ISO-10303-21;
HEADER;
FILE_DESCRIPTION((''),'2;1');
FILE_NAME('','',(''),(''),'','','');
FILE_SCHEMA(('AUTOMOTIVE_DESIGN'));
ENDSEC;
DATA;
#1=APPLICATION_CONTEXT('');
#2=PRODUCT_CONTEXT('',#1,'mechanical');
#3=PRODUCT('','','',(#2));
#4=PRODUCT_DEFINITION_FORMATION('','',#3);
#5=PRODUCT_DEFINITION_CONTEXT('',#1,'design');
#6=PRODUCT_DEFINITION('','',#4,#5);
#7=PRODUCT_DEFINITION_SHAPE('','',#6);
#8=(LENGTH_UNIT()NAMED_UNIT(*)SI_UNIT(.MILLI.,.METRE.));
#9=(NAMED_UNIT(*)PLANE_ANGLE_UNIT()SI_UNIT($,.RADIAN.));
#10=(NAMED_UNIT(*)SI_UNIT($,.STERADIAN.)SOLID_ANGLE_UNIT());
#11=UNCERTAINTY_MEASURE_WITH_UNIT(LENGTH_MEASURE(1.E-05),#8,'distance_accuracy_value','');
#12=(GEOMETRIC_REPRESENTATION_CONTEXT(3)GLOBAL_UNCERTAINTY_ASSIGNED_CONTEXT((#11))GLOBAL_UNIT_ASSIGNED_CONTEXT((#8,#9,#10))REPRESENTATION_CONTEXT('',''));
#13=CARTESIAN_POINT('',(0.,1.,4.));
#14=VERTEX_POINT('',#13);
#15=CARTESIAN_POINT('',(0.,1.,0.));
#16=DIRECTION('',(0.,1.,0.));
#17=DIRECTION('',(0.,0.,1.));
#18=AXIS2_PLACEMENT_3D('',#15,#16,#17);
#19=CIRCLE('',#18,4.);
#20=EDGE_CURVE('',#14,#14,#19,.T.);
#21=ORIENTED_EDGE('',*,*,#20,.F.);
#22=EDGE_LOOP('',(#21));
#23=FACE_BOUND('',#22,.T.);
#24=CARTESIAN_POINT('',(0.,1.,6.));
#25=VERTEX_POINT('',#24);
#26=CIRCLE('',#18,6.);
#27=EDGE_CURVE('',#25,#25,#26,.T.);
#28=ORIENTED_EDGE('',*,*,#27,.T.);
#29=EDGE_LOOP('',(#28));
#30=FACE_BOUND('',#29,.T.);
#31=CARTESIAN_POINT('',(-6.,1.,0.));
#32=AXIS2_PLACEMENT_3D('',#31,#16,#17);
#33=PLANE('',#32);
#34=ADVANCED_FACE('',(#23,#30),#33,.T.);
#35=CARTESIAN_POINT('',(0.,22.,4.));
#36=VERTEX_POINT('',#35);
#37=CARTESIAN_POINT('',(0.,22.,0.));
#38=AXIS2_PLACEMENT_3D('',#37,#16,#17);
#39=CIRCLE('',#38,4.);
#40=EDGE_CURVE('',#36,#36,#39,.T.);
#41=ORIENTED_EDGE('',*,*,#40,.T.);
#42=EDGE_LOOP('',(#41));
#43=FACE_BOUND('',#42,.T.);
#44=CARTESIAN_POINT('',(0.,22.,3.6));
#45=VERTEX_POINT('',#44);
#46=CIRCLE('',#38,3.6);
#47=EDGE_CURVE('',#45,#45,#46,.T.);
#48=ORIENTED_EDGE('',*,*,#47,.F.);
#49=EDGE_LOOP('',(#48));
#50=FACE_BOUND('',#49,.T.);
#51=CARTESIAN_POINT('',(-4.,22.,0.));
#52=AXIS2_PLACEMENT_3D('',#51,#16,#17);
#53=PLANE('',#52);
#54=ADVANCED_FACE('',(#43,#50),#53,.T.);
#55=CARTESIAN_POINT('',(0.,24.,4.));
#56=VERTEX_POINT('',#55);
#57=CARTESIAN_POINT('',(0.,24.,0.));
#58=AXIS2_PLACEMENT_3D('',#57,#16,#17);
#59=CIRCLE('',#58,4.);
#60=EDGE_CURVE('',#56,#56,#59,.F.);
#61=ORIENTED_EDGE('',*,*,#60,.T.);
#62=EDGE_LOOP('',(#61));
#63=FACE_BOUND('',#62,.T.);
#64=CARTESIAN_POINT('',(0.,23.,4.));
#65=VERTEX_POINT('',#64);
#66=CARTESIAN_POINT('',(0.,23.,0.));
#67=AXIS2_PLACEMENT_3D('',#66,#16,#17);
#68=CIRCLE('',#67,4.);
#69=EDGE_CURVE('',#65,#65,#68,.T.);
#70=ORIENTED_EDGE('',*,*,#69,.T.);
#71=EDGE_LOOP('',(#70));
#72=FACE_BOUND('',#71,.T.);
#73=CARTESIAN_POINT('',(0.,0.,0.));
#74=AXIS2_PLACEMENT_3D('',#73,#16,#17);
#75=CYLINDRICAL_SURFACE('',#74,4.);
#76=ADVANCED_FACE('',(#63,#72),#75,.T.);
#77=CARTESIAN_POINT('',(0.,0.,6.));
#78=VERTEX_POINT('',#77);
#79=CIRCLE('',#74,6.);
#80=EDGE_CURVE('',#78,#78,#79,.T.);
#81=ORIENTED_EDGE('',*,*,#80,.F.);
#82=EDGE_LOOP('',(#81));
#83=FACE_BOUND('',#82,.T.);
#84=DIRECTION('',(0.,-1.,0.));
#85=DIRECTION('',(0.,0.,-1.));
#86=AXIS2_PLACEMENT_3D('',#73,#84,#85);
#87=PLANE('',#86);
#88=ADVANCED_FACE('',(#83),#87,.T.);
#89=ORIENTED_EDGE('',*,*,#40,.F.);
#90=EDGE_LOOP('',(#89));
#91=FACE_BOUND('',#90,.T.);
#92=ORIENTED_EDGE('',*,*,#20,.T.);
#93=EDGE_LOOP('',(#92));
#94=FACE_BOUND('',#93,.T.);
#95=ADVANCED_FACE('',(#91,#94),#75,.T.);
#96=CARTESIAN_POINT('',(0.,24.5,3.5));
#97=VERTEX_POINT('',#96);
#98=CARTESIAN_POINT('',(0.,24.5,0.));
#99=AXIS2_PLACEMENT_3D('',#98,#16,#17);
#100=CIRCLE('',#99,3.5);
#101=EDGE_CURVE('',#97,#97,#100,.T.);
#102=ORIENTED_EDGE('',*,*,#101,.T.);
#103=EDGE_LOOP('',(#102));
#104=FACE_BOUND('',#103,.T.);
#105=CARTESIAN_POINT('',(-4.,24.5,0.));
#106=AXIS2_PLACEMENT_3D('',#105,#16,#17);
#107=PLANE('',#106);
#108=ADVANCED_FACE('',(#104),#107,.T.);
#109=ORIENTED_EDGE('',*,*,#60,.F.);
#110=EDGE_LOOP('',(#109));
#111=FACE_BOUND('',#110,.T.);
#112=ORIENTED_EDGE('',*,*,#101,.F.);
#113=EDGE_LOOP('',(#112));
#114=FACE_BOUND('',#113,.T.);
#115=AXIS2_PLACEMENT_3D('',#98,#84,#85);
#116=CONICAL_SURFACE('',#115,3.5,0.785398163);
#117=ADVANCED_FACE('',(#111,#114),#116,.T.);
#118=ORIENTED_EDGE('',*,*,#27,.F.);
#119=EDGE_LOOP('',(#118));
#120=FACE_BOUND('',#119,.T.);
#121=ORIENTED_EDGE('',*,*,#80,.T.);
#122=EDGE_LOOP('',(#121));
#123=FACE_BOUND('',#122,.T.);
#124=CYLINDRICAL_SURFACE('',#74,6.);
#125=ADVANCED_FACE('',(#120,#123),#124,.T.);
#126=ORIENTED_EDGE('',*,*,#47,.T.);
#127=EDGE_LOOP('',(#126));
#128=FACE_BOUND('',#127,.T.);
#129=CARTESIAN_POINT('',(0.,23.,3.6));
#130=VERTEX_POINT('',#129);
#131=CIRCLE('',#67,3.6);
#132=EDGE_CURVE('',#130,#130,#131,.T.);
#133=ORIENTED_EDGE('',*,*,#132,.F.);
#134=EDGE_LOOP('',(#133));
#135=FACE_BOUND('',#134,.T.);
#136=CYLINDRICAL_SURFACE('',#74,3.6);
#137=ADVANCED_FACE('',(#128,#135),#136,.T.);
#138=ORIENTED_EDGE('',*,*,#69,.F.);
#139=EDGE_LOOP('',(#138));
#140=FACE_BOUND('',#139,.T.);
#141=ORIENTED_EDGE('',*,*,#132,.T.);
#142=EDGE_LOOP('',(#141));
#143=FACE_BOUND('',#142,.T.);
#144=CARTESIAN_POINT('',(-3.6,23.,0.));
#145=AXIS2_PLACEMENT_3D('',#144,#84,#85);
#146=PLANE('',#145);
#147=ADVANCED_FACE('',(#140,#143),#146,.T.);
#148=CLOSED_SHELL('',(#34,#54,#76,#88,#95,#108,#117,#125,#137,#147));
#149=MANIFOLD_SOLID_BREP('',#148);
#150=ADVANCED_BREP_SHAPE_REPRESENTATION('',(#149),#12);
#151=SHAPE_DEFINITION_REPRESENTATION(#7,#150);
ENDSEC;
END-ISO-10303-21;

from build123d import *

# Parameters (mm, degrees)
CHAMFER_1_SIZE = 0.5


with BuildPart() as part:
    # Эскиз1 → Повернуть1 (revolve)
    with BuildSketch(Plane.XY, mode=Mode.PRIVATE) as revolve_1_sk:
        Polygon((-4, 24.5), (0, 24.5), (0, 0), (-6, 0), (-6, 1), (-4, 1), (-4, 22), (-3.6, 22), (-3.6, 23), (-4, 23), align=None)
    revolve(revolve_1_sk.sketch.rotate(Axis((0, 0, 0), (0, -1, 0)), 270), axis=Axis((0, 0, 0), (0, -1, 0)))

    # Фаска1
    chamfer_1_edges = [part.edges().sort_by_distance(p)[0] for p in [
        (0, 24.5, -4),
    ]]
    chamfer(chamfer_1_edges, length=CHAMFER_1_SIZE)


solid = part.part
